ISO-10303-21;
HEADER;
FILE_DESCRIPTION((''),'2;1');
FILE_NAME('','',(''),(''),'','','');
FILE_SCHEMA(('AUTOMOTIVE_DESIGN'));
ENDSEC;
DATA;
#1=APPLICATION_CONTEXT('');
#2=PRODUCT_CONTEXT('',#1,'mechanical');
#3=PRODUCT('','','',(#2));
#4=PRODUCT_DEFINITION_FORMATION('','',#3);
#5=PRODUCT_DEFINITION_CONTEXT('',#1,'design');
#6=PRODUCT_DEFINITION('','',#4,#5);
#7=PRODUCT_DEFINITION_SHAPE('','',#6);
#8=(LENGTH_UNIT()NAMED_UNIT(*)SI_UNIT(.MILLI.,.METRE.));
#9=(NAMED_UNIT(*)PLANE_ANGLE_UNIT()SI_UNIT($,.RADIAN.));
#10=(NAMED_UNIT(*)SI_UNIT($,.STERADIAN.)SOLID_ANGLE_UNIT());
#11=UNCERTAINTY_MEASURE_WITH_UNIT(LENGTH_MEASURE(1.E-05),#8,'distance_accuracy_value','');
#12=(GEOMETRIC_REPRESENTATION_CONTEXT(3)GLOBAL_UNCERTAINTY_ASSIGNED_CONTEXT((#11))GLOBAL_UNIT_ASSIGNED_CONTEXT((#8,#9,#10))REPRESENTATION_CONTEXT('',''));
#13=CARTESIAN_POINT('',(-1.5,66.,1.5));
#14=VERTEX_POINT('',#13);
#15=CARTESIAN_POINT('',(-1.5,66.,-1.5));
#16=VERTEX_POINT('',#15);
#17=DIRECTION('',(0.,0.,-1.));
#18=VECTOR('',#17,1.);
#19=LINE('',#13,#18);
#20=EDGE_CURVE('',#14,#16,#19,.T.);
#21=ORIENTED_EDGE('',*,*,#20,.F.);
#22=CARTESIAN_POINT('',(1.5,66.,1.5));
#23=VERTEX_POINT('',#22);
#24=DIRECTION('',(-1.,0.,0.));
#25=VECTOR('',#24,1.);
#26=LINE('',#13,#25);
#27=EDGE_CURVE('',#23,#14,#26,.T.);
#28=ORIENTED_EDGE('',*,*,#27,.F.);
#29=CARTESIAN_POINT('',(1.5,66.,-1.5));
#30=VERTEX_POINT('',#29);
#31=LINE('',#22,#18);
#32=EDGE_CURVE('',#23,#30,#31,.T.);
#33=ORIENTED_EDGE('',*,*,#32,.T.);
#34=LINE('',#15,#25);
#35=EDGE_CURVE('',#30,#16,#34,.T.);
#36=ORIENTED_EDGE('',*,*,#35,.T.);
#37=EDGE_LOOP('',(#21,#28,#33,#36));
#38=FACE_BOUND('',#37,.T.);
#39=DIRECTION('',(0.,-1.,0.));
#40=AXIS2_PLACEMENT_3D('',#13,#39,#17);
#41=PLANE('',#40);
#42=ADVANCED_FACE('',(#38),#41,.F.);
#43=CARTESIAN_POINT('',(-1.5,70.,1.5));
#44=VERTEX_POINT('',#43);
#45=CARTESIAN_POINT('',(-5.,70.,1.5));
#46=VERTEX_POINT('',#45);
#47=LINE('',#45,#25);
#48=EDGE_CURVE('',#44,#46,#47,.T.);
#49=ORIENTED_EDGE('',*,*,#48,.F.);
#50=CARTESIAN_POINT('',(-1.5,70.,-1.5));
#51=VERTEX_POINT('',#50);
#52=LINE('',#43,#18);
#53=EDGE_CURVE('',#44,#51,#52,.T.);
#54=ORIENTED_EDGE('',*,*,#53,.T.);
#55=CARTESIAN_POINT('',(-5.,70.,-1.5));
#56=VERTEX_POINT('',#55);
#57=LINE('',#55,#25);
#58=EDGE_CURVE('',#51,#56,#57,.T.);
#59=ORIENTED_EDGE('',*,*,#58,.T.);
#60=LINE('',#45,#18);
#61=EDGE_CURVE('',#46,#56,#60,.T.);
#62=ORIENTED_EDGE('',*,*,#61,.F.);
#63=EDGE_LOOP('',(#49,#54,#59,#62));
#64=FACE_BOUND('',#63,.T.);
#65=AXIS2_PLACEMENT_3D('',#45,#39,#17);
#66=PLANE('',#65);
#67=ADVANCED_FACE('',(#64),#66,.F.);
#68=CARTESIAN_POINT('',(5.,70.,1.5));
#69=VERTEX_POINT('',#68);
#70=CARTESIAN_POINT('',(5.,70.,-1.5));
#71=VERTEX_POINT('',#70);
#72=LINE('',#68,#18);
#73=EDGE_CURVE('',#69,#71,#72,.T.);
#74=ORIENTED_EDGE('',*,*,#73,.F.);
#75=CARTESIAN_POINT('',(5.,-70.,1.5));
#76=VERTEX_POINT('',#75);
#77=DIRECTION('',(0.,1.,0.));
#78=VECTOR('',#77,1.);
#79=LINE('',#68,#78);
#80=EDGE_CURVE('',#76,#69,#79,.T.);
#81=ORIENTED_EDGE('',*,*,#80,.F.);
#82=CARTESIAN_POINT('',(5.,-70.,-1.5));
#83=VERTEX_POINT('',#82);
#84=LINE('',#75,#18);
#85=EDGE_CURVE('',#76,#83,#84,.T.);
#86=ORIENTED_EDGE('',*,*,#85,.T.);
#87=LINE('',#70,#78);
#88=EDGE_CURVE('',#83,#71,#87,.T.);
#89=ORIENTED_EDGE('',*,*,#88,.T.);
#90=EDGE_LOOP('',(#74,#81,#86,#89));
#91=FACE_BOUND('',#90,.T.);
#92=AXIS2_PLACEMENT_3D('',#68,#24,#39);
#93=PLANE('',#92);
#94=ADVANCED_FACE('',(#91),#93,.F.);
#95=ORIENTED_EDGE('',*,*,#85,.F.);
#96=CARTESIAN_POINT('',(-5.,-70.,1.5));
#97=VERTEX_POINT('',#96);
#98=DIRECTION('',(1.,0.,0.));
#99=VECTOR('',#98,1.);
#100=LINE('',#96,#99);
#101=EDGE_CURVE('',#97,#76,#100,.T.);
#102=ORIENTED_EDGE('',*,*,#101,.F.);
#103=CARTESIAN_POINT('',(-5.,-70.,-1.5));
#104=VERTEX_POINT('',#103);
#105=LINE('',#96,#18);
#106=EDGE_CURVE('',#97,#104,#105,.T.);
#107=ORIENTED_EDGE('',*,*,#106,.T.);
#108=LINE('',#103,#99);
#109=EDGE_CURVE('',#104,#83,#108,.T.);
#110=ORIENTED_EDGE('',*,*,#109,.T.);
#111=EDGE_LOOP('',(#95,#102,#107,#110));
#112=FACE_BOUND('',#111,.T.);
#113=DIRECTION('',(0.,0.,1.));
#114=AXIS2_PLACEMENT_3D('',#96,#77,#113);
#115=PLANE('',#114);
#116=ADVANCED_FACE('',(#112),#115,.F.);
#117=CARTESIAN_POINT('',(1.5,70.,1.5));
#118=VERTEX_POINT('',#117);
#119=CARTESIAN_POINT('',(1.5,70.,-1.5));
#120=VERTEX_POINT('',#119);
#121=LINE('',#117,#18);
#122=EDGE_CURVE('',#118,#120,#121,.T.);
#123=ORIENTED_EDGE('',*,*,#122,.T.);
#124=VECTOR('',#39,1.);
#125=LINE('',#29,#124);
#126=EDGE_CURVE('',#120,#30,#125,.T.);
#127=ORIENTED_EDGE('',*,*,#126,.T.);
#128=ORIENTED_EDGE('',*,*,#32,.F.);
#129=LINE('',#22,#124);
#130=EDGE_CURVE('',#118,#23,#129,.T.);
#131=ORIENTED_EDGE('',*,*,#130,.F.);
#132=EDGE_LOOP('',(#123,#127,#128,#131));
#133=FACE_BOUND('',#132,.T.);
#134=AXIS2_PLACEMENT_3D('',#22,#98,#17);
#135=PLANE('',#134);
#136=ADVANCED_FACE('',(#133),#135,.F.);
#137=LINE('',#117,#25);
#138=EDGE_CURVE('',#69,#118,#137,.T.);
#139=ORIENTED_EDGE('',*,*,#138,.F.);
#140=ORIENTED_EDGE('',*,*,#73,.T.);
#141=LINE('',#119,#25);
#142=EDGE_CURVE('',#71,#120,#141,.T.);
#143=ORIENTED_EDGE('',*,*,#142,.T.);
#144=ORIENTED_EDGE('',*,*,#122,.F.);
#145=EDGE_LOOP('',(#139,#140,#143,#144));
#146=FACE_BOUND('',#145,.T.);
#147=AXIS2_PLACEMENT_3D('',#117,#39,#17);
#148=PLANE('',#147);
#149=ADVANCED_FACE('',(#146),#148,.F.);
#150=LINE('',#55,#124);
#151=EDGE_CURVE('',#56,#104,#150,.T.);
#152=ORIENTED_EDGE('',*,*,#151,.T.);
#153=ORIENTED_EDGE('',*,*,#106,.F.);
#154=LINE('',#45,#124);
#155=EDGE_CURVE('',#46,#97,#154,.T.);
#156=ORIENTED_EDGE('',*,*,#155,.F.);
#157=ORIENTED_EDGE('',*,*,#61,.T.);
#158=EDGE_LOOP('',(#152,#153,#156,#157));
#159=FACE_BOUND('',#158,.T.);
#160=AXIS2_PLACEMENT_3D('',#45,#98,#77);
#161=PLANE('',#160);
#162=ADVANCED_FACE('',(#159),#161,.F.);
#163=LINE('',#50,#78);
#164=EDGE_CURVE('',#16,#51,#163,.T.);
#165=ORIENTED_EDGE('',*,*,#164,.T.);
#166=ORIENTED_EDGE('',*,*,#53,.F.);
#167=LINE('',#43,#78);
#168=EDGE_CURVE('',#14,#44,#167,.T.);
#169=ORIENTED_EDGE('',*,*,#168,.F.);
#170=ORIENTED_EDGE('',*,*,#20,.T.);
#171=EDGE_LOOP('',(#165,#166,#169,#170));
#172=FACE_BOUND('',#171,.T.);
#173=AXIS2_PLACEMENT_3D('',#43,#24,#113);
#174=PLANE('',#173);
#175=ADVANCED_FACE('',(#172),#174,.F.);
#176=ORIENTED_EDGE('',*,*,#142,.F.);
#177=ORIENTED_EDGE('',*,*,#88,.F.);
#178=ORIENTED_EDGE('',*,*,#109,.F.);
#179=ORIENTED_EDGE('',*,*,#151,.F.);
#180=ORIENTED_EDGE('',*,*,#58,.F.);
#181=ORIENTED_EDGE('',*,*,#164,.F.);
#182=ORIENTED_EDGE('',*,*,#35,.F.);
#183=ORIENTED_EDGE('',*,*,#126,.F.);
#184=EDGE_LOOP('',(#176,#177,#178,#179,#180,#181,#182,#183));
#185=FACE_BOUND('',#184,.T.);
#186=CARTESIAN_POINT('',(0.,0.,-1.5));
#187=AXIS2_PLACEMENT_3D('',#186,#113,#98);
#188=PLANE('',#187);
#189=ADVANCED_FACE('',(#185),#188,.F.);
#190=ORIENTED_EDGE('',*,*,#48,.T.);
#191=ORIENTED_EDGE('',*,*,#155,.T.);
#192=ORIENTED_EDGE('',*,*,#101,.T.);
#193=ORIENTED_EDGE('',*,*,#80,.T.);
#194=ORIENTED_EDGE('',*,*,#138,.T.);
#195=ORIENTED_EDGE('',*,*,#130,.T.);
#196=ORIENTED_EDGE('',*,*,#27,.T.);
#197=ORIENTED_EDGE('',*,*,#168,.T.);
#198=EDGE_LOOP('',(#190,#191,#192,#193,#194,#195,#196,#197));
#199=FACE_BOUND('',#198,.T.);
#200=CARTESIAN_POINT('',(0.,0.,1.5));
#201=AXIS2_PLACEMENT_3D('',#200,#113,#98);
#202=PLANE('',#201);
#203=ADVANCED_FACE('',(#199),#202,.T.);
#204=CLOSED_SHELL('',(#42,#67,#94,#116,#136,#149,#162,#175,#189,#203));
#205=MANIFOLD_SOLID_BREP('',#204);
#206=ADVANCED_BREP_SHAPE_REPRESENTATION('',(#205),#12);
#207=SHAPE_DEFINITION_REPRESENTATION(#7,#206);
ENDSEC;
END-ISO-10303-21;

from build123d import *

# Parameters (mm, degrees)
BOSS_EXTRUDE1_DEPTH = 1.5


with BuildPart() as part:
    # Sketch1 → Boss-Extrude1 (new body, symmetric)
    with BuildSketch(Plane.XY):
        Polygon((1.5, 70), (5, 70), (5, -70), (-5, -70), (-5, 70), (-1.5, 70), (-1.5, 66), (1.5, 66), align=None)
    extrude(amount=BOSS_EXTRUDE1_DEPTH, both=True)


solid = part.part
